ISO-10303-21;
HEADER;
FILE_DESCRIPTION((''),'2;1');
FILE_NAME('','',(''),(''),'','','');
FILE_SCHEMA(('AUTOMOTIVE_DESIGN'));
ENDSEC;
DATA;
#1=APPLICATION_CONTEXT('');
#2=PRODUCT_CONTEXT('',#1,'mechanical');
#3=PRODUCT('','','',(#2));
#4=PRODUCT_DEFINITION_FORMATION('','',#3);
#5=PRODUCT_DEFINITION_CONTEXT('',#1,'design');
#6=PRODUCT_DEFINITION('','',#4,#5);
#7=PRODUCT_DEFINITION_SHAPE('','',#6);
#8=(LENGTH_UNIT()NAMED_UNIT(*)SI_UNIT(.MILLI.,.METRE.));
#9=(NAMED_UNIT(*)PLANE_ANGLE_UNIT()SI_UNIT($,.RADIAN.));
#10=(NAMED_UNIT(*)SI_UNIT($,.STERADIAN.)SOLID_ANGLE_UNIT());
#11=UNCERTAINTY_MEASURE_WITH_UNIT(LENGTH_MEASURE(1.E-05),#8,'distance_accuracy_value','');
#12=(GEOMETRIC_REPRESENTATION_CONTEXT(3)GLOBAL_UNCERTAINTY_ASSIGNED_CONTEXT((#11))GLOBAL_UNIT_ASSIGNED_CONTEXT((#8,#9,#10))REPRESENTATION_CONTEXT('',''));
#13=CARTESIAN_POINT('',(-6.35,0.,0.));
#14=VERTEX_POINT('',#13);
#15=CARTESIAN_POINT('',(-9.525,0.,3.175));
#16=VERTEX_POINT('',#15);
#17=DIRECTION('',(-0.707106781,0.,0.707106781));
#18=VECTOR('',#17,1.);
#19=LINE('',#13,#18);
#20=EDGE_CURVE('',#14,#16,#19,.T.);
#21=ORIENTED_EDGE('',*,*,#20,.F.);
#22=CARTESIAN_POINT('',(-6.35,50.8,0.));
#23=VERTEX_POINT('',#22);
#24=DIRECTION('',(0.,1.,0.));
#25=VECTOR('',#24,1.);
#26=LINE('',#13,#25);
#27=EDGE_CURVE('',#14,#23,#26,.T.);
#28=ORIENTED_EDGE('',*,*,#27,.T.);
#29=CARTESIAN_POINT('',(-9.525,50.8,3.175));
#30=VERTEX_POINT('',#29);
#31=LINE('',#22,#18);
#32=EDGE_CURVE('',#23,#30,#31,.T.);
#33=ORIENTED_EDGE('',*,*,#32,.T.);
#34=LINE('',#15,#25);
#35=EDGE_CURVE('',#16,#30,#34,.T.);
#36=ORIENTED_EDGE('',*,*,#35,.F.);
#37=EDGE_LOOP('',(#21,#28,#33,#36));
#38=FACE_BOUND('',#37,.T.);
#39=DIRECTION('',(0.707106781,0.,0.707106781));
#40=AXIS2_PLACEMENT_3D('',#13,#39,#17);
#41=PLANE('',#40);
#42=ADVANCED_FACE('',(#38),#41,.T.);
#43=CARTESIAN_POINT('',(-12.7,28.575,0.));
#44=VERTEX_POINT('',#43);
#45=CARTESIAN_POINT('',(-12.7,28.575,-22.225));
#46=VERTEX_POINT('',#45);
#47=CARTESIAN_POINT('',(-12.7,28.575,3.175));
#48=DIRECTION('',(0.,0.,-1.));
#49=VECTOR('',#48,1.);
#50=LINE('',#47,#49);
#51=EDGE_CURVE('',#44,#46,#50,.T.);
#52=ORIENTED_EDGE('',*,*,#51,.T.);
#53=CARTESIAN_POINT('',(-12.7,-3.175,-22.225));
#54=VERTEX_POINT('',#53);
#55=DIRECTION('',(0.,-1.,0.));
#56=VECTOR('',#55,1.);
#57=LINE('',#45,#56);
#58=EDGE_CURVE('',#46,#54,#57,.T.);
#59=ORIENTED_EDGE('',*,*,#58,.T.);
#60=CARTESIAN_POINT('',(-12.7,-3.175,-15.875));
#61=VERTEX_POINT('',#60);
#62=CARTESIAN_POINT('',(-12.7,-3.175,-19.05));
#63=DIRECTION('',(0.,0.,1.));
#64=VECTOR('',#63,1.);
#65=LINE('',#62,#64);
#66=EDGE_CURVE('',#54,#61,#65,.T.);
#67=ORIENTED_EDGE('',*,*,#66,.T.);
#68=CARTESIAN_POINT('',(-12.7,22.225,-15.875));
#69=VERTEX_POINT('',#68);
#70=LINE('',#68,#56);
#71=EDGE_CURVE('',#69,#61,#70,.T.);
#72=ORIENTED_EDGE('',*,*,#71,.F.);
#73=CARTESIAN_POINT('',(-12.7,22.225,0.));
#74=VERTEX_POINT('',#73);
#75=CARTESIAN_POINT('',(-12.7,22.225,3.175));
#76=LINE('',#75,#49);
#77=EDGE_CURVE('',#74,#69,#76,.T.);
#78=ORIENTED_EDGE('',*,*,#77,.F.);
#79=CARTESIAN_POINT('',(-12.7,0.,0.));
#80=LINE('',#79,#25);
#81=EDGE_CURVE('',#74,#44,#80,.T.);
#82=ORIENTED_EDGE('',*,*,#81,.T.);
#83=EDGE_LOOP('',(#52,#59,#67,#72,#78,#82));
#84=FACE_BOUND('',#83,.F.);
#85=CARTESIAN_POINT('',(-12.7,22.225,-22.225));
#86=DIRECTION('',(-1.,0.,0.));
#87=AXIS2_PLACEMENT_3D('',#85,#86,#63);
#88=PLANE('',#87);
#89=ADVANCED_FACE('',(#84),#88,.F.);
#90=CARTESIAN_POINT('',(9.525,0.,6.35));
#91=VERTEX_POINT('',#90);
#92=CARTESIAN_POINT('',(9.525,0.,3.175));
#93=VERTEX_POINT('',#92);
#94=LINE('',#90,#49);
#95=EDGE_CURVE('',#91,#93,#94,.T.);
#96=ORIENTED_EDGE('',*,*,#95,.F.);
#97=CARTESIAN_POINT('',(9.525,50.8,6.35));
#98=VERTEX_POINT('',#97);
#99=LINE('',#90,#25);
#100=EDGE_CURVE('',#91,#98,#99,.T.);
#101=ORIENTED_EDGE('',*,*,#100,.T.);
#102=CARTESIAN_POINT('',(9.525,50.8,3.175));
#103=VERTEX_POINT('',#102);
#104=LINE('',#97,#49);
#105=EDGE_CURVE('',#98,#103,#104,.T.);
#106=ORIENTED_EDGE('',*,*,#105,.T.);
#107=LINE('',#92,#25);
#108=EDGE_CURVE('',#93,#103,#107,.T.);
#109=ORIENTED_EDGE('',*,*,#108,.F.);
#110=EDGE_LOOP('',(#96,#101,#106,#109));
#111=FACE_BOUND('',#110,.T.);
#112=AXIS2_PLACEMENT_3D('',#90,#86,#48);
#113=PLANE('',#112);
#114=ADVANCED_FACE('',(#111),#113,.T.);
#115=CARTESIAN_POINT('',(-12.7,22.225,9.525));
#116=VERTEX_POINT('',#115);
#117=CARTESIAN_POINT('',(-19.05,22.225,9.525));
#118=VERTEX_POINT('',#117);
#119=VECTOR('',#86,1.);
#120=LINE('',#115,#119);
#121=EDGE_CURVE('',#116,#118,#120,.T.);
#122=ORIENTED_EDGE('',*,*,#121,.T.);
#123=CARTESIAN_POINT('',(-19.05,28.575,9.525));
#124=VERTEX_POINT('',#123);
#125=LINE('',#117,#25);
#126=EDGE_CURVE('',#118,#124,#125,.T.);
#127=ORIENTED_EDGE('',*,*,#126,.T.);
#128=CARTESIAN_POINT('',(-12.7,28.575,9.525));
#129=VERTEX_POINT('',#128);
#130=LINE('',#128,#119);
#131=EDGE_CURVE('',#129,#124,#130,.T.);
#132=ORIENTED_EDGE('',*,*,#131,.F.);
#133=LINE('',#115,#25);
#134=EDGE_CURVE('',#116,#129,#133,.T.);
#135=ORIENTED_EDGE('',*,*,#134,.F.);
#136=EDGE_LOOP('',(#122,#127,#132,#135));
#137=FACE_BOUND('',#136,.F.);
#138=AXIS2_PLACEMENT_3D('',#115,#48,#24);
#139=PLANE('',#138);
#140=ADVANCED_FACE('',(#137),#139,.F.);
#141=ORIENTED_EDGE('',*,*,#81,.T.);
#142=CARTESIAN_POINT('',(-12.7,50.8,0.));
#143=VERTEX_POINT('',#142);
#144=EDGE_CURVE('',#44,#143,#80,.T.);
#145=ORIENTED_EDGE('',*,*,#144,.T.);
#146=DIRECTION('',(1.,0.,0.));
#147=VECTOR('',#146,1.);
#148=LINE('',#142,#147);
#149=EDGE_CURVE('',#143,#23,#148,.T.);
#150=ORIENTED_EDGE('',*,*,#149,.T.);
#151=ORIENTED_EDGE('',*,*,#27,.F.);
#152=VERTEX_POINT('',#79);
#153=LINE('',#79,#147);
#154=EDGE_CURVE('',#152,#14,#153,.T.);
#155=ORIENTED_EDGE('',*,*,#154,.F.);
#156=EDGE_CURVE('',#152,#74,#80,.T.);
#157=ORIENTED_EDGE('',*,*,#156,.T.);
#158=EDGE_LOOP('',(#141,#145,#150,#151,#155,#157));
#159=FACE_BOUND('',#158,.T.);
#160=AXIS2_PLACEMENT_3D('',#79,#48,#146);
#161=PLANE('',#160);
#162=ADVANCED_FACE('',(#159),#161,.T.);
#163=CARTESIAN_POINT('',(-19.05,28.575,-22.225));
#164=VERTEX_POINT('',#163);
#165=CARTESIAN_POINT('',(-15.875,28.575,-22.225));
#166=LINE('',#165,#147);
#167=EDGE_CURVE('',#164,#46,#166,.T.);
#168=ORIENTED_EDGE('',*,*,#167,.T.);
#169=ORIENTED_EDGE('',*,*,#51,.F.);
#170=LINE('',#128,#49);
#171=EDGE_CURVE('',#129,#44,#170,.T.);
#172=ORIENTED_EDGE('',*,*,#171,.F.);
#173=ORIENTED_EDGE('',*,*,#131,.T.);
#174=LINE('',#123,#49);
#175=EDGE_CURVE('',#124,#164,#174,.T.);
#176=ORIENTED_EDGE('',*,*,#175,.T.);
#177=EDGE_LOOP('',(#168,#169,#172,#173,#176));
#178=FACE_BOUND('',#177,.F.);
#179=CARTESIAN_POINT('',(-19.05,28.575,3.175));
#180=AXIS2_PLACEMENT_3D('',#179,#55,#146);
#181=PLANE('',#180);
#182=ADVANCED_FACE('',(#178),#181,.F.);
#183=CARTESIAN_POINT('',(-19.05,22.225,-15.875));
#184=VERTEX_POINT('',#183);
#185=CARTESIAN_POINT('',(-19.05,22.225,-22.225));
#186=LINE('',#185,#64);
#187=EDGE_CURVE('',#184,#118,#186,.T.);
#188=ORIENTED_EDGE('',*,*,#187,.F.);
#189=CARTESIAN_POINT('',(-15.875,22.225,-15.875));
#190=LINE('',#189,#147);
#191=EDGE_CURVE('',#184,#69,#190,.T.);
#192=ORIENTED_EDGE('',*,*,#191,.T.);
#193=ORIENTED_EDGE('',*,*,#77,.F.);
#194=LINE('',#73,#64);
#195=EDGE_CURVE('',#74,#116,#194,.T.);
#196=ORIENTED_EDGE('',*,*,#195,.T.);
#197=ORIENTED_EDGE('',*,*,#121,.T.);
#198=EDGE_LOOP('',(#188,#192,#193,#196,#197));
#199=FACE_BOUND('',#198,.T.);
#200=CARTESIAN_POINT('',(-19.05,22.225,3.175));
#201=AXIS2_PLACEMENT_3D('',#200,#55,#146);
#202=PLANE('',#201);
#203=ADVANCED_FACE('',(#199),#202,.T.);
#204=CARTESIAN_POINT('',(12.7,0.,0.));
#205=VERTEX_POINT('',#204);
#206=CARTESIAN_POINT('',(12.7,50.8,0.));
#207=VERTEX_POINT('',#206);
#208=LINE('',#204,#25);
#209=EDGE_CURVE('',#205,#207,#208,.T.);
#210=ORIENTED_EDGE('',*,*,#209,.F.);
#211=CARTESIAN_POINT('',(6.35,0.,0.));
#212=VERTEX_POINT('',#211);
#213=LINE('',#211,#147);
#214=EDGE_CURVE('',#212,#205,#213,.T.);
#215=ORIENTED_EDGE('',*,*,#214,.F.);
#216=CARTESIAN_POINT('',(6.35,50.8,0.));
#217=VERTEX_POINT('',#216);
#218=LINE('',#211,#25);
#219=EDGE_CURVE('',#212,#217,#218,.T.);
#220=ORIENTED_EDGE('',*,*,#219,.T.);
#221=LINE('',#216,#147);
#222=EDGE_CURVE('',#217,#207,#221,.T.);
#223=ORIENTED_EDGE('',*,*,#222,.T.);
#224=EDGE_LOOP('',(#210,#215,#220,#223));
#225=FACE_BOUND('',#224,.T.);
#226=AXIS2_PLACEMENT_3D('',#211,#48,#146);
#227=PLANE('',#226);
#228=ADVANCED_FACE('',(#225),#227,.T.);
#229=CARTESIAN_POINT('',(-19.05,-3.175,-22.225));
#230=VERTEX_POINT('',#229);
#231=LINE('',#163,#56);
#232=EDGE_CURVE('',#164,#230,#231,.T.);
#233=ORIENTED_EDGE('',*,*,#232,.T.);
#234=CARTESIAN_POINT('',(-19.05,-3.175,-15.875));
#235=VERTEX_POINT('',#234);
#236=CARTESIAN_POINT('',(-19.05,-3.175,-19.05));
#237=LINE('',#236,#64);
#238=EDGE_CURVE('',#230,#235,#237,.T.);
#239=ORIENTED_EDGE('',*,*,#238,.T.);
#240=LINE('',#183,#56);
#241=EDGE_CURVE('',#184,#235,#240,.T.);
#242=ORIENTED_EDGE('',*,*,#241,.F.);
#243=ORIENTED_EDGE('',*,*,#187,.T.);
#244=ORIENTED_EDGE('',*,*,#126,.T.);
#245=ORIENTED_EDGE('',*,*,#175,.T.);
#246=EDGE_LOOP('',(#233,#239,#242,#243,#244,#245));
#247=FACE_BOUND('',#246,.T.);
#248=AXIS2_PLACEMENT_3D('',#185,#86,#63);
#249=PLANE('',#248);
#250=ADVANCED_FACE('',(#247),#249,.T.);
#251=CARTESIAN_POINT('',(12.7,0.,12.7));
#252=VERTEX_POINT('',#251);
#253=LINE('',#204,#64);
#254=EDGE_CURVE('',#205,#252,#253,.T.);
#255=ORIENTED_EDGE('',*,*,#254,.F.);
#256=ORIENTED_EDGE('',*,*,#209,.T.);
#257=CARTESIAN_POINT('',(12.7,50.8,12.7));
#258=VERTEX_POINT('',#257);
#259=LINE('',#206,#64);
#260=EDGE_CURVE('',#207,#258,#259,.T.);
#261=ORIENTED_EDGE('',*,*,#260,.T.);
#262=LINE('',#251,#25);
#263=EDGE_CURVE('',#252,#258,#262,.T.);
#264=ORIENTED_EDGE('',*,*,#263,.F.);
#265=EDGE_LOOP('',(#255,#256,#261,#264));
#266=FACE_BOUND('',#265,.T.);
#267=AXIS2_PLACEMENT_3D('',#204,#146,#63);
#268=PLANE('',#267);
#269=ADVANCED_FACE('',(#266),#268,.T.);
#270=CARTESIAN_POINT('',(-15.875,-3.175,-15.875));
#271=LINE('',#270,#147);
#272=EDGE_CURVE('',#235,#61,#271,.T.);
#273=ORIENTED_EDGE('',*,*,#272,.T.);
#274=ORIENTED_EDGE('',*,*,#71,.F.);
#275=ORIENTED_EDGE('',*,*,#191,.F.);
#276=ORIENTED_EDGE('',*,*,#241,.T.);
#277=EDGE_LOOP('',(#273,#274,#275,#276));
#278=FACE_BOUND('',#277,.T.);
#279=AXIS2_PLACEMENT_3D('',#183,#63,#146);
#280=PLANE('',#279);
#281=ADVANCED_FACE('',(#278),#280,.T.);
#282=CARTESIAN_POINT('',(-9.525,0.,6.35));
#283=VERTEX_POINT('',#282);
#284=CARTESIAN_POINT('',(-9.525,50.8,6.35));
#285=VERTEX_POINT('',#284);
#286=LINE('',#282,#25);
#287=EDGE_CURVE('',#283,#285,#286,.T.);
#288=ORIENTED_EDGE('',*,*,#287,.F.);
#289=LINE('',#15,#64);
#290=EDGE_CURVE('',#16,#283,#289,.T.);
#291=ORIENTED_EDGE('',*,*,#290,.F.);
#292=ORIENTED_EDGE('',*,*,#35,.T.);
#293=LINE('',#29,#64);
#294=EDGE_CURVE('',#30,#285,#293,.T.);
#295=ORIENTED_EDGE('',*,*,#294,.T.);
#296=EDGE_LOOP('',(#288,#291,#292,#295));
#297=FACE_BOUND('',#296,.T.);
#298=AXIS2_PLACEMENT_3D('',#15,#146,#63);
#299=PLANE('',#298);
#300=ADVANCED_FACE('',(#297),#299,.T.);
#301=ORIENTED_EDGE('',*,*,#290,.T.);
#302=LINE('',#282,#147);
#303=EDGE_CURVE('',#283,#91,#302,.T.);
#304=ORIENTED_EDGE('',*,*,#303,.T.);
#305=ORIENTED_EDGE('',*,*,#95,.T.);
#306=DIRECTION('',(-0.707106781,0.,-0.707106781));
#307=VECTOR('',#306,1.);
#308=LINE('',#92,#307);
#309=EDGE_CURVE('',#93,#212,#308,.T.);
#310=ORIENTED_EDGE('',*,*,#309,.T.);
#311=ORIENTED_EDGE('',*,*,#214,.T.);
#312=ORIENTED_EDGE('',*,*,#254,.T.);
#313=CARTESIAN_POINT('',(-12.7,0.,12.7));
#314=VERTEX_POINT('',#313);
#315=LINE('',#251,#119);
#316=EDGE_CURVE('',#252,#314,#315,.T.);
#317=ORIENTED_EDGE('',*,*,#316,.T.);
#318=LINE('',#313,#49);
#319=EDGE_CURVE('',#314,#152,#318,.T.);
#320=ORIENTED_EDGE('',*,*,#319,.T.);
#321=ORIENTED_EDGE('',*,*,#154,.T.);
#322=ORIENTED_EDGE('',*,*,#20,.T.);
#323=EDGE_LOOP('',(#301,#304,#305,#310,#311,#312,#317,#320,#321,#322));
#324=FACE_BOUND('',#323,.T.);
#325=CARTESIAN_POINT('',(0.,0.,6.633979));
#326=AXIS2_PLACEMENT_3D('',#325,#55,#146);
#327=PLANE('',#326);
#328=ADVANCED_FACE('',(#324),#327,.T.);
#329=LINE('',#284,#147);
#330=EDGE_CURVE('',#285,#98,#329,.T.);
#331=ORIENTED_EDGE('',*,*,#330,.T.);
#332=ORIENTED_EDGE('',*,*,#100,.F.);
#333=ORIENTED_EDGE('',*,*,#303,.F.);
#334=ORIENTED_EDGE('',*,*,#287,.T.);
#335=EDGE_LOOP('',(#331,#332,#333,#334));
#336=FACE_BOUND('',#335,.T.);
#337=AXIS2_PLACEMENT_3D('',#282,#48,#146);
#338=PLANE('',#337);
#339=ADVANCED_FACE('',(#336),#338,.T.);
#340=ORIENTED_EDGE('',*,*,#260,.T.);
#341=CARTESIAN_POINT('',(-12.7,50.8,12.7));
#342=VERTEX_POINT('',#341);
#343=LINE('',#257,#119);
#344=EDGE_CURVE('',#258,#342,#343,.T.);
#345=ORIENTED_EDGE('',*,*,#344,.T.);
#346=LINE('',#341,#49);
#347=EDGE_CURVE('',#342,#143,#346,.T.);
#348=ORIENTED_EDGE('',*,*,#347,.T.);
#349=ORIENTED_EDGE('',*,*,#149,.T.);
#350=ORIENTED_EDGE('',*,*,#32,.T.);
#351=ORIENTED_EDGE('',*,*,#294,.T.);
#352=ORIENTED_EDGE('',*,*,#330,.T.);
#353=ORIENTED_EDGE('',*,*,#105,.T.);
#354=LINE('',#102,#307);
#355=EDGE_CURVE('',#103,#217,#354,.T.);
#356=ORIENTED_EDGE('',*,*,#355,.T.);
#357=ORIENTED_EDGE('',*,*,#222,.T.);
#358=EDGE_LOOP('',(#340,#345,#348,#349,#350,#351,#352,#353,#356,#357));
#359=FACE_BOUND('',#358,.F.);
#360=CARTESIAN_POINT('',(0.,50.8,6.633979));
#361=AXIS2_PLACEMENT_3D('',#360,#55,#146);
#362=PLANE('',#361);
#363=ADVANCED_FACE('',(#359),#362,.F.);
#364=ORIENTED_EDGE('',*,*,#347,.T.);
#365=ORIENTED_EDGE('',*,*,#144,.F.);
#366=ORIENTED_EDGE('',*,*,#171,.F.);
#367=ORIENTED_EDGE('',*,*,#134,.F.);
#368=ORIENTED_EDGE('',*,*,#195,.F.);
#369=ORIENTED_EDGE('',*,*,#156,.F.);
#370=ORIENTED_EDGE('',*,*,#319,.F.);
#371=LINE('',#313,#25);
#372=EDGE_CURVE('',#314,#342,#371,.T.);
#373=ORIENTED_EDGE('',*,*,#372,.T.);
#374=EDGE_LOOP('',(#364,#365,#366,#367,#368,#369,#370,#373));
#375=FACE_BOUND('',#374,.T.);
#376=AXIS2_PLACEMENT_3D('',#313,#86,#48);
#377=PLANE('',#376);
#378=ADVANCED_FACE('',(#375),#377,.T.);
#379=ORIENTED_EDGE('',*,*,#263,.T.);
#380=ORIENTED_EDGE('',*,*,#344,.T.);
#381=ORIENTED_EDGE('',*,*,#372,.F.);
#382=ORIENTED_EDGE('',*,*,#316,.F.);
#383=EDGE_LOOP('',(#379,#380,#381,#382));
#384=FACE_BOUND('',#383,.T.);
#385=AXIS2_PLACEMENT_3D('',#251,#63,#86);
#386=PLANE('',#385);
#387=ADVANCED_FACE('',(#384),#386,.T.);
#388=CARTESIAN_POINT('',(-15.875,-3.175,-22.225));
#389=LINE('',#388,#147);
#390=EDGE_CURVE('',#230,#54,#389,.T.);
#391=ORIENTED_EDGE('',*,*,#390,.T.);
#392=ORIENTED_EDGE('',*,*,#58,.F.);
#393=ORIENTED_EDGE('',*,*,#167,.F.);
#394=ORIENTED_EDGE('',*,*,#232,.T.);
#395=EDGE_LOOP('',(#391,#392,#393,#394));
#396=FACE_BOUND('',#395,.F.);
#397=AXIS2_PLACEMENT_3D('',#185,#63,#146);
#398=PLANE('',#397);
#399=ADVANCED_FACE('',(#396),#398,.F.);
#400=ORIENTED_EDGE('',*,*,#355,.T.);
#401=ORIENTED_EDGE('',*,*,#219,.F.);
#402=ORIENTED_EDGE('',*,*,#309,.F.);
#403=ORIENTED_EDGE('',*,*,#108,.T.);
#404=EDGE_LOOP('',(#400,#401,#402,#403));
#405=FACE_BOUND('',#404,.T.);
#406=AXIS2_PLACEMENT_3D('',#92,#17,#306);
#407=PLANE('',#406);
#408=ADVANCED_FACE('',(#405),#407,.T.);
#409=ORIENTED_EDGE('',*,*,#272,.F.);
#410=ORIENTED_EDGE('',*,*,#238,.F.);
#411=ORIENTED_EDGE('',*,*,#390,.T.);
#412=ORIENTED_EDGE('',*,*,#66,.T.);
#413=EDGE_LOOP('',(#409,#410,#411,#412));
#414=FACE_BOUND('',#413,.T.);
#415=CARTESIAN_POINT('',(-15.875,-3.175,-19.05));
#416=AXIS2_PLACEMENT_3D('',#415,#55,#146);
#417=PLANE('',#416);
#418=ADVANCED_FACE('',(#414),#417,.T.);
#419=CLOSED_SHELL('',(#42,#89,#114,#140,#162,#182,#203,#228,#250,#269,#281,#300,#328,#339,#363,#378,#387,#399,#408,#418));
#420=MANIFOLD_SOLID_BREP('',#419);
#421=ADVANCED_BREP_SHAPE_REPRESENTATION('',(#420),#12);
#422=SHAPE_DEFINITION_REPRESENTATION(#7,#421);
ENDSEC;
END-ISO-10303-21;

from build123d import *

# Parameters (mm, degrees)
F1_DEPTH  = 50.8
F3_DEPTH  = 6.35
F3_FACE_W = 6.35
F3_FACE_H = 6.35
F4_DEPTH  = 25.4
F5_W      = 6.35
F5_H      = 6.35
F6_DEPTH  = 25.4


with BuildPart() as f1:
    # F0 (on Front) → F1 (new body)
    with BuildSketch(Plane.XZ):
        Polygon((-12.7, 0), (-6.35, 0), (-9.525, 3.175), (-9.525, 6.35), (0, 6.35), (9.525, 6.35), (9.525, 3.175), (6.35, 0), (12.7, 0), (12.7, 12.7), (0, 12.7), (-12.7, 12.7), align=None)
    extrude(amount=-F1_DEPTH)

    # F2 (on face) → F3 (join)
    with BuildSketch(Plane(origin=(-12.7, 0, 0), x_dir=(0, -1, 0), z_dir=(-1, 0, 0))):
        Polygon((-22.225, 9.525), (-25.4, 9.525), (-28.575, 9.525), (-28.575, 3.175), (-22.225, 3.175), align=None)
    extrude(amount=F3_DEPTH)

    # F3_face (on face) → F4 (join)
    with BuildSketch(Plane(origin=(-15.875, 25.4, 3.175), x_dir=(1, 0, 0), z_dir=(0, 0, -1))):
        Rectangle(F3_FACE_W, F3_FACE_H)
    extrude(amount=F4_DEPTH)

    # F5 (on face) → F6 (join)
    with BuildSketch(Plane.XZ.offset(-22.225)):
        with Locations((-15.875, -19.05)):
            Rectangle(F5_W, F5_H)
    extrude(amount=F6_DEPTH)


solid = f1.part
